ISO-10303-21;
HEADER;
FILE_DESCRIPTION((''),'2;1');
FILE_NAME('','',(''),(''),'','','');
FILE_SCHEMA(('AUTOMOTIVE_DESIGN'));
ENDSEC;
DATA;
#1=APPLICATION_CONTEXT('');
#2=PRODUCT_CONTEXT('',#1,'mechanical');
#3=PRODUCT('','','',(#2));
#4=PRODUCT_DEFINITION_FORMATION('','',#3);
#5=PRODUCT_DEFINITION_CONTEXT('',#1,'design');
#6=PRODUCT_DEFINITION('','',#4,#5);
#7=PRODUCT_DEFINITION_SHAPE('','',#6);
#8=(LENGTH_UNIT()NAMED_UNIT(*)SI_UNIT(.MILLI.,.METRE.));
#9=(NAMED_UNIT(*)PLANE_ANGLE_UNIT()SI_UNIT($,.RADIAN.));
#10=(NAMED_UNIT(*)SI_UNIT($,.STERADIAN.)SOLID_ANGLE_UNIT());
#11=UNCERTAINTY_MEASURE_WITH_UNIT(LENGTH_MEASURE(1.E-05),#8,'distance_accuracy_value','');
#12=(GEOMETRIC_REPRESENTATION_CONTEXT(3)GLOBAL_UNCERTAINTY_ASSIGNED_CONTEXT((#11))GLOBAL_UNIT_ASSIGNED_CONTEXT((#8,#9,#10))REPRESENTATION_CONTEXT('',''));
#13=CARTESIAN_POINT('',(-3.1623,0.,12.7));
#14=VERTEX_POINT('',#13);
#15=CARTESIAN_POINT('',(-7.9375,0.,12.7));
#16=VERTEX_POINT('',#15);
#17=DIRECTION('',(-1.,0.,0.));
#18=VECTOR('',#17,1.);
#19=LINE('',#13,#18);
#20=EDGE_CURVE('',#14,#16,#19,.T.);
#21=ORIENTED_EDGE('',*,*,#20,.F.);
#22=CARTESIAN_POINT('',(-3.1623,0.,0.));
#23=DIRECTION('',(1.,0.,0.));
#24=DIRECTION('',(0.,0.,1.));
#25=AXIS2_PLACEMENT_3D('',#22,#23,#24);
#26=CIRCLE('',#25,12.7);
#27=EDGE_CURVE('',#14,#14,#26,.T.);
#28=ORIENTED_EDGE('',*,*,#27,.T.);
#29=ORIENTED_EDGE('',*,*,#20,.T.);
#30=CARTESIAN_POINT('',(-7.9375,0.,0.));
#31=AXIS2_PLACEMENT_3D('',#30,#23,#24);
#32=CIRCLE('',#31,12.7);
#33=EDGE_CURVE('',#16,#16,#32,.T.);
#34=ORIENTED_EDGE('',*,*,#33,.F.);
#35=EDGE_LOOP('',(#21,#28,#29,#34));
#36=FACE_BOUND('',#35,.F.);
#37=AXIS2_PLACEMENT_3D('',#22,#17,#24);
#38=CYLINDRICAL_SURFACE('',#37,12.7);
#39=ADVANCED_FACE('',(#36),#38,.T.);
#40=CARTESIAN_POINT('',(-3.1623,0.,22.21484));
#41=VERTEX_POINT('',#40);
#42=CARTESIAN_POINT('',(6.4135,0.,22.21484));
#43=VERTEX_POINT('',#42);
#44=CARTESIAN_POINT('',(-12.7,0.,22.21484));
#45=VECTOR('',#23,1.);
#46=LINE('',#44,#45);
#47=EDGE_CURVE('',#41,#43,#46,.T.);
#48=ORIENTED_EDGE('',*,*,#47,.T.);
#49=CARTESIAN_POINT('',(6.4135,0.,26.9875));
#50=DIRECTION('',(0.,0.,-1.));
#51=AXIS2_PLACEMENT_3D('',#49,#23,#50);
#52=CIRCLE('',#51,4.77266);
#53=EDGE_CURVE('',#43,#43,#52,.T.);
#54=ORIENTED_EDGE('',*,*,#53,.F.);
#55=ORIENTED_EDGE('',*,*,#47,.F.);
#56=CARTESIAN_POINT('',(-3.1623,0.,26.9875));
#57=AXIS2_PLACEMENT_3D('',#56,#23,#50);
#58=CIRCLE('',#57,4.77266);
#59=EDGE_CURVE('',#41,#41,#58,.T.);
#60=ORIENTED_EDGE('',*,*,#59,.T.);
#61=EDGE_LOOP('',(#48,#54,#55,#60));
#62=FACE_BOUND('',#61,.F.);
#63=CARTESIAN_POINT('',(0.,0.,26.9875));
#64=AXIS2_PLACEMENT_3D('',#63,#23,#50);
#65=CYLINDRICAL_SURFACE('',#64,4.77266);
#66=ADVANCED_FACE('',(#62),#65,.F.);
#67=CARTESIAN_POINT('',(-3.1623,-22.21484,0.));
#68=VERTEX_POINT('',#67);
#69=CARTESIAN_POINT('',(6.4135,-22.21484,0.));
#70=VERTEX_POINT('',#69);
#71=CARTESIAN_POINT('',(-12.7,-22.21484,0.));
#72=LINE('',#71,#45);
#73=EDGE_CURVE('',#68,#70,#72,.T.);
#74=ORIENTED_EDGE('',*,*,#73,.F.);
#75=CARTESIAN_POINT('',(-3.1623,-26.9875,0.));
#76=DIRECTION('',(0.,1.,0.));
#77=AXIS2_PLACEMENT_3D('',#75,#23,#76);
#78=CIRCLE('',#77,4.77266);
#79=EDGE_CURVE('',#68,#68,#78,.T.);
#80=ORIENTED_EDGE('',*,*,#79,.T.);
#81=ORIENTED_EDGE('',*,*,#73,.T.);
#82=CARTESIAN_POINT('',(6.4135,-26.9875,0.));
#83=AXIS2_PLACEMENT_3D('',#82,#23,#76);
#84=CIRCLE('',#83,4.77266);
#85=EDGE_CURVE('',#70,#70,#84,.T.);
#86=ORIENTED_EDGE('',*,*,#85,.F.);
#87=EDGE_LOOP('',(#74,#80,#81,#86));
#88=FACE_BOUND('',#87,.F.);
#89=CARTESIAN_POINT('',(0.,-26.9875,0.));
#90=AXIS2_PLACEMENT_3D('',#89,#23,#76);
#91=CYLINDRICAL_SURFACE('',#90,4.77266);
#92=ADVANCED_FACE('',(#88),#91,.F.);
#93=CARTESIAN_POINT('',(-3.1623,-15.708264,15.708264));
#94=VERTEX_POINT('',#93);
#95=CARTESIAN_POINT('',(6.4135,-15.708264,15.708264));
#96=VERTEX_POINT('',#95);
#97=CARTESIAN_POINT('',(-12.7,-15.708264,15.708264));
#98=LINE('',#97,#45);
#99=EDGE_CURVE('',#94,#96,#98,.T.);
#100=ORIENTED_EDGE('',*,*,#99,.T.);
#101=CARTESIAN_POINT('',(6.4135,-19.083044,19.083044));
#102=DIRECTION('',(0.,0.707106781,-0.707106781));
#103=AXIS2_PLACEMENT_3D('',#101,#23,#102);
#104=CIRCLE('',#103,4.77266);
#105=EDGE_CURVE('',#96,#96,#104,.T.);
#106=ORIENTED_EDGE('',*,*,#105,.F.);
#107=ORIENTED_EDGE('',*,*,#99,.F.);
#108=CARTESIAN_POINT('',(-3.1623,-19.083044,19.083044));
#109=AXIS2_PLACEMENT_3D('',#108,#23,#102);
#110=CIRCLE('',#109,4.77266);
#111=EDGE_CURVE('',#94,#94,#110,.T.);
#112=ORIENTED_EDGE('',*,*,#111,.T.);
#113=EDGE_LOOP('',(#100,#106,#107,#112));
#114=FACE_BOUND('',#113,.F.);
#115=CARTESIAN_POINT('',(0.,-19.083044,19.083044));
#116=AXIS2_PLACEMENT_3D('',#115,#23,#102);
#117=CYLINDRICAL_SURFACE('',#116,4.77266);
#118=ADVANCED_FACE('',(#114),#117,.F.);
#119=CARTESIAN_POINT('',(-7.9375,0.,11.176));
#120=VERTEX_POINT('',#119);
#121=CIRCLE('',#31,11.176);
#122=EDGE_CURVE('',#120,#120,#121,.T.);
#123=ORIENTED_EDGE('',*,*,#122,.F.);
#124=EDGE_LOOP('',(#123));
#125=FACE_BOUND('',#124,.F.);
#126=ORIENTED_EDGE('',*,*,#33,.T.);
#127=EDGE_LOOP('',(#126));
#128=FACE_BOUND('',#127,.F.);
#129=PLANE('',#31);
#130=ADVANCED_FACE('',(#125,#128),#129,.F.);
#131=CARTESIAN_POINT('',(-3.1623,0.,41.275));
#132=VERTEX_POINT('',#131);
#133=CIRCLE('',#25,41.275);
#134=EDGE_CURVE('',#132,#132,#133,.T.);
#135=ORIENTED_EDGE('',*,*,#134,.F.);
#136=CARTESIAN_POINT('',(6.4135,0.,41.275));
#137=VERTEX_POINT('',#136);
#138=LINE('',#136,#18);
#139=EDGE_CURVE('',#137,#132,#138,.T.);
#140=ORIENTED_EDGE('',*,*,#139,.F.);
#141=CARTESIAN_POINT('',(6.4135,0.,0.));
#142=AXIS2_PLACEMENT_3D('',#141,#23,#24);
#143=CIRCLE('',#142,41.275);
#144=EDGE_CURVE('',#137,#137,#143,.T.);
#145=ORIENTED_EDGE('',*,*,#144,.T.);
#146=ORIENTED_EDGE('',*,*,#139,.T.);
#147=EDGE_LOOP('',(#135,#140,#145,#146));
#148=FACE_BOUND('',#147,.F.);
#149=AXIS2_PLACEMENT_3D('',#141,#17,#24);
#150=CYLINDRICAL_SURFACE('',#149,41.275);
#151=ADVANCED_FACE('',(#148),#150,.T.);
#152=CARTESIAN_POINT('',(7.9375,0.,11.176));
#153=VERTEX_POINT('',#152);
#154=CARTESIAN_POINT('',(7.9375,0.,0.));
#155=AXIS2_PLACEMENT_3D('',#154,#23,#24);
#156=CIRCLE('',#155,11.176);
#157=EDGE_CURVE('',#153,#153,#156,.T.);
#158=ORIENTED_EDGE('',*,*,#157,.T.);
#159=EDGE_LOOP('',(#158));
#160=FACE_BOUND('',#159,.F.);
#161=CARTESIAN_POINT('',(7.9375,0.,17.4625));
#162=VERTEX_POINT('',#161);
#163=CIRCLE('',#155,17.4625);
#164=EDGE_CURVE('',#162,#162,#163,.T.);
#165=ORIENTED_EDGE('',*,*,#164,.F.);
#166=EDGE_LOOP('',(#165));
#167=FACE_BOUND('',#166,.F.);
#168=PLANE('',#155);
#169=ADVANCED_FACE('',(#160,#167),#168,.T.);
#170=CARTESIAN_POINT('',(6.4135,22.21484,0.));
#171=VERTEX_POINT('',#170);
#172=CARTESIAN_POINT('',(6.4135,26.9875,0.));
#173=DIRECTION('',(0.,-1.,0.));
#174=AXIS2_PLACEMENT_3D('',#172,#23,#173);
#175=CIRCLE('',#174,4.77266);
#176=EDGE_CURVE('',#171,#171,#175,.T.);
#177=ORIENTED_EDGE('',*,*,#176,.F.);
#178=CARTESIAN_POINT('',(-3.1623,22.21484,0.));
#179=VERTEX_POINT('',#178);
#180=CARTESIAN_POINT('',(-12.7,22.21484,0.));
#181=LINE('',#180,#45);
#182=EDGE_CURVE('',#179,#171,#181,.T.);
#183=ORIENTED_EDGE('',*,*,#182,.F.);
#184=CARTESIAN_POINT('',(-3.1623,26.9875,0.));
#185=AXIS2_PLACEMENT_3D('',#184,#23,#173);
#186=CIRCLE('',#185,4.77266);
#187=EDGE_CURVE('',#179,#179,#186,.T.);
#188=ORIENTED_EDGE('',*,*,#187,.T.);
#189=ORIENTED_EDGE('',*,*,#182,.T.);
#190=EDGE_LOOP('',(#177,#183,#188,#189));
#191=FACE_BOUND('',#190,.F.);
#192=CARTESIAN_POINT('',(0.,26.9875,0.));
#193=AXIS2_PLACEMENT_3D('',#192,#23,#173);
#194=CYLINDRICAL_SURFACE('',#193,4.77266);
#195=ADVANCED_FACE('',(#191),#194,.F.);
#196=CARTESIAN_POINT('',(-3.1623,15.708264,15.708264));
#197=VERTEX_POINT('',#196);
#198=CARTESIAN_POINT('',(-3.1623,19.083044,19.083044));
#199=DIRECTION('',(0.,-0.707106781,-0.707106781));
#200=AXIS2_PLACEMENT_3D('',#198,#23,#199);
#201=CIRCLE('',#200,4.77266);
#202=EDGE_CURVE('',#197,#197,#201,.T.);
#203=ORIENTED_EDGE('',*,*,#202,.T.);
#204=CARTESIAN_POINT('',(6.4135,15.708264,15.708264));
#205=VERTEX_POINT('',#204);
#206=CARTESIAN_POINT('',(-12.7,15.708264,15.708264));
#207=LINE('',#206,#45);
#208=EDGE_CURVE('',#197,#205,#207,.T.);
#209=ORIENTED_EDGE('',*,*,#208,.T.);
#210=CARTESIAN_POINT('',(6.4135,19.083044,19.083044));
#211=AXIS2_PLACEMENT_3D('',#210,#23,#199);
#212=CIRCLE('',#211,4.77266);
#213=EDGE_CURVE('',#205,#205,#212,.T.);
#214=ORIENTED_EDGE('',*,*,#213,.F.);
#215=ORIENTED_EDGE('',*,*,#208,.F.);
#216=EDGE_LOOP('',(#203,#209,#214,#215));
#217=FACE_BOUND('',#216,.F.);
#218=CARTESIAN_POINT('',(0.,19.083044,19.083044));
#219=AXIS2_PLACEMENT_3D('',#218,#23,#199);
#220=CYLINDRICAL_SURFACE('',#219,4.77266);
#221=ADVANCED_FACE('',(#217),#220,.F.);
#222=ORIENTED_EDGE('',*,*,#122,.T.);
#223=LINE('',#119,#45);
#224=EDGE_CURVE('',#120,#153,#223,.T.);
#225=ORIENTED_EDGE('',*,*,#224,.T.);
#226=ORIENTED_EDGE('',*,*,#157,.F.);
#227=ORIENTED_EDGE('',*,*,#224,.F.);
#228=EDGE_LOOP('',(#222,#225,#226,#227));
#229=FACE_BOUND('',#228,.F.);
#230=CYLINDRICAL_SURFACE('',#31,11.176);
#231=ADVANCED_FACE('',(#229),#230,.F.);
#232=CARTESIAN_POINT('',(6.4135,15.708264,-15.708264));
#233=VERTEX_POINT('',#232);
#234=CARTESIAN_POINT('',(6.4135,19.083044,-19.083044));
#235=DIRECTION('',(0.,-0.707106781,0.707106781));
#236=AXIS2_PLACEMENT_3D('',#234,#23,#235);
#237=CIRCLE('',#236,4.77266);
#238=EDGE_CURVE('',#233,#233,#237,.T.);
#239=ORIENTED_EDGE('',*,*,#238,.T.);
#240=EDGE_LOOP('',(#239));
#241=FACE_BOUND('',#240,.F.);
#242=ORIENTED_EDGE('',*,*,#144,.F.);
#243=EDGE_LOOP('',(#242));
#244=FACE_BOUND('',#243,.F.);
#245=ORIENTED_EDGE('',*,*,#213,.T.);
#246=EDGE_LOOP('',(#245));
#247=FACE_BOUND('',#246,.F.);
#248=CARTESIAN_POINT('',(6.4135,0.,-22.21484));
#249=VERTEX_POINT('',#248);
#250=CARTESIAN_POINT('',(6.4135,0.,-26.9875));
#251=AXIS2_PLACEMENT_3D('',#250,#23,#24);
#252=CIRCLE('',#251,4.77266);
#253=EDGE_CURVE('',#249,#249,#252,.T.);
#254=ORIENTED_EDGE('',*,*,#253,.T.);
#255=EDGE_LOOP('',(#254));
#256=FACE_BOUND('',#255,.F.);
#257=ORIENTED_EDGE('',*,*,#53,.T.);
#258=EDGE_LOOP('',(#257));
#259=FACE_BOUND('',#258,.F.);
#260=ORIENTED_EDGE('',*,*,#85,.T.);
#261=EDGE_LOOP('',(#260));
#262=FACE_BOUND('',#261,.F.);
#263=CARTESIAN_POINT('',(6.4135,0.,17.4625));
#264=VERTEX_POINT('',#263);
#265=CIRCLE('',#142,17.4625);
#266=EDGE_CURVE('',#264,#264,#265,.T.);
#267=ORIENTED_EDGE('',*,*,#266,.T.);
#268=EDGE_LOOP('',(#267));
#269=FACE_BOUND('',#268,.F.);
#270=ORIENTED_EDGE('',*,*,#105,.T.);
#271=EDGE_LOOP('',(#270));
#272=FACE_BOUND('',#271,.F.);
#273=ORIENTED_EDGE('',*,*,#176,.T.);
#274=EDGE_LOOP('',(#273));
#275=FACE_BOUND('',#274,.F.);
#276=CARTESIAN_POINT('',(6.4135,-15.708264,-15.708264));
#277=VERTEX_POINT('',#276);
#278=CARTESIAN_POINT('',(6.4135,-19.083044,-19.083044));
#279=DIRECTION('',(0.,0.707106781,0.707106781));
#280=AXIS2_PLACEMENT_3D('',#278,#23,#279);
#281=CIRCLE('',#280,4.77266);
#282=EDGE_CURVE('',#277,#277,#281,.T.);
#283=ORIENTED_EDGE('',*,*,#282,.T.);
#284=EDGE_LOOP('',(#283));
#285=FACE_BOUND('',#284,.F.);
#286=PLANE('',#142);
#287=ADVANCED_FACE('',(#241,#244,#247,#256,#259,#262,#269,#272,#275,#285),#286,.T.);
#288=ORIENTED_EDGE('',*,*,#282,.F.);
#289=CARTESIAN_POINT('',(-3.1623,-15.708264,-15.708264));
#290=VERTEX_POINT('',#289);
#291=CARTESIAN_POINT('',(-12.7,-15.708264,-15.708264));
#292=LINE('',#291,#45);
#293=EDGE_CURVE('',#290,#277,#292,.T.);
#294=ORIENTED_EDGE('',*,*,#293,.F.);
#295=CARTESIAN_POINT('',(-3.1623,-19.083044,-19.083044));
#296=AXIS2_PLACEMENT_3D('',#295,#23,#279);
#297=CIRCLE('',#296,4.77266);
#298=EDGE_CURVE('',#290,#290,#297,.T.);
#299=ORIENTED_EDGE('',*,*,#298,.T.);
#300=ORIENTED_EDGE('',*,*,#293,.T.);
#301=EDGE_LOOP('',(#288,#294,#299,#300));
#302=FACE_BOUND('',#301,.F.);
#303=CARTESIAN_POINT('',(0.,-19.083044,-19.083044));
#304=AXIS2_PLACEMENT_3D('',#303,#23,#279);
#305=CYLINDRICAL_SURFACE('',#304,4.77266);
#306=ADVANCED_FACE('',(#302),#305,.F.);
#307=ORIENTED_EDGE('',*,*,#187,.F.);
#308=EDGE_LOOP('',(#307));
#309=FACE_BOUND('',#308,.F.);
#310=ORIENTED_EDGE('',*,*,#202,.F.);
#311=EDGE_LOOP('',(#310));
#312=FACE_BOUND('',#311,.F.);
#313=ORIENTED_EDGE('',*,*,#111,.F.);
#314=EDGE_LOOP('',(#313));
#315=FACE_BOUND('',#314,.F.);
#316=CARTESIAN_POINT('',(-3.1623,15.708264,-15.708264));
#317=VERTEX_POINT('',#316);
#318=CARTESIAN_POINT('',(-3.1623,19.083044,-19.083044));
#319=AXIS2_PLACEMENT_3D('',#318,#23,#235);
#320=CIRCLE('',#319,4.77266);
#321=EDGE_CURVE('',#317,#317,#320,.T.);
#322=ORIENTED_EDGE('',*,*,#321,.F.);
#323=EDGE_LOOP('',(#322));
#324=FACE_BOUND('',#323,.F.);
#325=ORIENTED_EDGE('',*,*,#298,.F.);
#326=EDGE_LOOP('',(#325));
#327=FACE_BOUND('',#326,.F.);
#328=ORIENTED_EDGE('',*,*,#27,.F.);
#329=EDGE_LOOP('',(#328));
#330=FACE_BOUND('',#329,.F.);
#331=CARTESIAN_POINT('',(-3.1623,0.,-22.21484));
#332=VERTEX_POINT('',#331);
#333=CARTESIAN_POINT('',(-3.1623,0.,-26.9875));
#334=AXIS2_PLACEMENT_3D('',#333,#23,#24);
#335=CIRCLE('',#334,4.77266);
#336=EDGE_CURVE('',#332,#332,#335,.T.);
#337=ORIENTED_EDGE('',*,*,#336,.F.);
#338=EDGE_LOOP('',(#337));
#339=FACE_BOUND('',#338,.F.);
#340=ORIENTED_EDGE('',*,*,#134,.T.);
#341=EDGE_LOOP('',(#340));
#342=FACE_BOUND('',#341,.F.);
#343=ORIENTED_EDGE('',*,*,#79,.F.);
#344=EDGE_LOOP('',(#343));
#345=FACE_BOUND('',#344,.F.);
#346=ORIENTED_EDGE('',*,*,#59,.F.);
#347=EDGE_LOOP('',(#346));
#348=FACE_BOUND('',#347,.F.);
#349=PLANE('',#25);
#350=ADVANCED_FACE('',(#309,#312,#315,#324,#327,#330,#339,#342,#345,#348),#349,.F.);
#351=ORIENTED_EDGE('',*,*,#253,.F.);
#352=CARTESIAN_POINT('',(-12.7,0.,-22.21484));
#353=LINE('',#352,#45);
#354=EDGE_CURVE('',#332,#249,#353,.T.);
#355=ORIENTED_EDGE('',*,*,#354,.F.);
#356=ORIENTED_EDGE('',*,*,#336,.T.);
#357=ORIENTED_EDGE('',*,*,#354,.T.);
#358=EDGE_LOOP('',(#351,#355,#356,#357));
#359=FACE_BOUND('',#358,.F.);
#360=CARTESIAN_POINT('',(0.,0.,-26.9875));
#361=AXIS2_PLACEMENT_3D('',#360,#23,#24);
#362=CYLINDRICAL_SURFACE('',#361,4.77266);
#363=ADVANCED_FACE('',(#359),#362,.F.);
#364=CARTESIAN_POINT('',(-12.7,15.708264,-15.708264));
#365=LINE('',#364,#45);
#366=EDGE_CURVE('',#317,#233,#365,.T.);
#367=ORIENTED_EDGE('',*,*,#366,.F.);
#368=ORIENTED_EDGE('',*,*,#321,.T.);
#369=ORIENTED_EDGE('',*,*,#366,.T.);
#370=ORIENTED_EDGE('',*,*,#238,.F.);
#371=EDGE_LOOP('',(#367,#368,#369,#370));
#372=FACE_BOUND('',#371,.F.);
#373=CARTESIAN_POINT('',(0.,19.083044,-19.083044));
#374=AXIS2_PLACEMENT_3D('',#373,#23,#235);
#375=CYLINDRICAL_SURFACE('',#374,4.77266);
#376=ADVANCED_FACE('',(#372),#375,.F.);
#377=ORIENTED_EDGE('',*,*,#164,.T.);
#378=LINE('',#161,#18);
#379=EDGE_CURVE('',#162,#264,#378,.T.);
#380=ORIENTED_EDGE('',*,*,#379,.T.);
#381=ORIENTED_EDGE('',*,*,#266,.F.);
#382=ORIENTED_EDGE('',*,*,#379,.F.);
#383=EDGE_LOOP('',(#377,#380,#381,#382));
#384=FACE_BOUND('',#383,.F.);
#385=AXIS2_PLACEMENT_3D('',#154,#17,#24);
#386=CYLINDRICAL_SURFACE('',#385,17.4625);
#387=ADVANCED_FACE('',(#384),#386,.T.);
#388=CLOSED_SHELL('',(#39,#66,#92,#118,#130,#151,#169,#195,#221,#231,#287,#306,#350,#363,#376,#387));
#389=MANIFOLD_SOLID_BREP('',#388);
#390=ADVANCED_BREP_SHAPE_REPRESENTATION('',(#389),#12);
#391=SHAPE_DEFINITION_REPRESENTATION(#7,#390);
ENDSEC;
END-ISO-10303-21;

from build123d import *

# Parameters (mm, degrees)
F2_R     = 4.77266
F3_DEPTH = 12.7
F4_COUNT = 8


with BuildPart() as f1:
    # F0 (on Front) → F1 (revolve)
    with BuildSketch(Plane.XZ):
        Polygon((-7.9375, 12.7), (-7.9375, 11.176), (7.9375, 11.176), (7.9375, 17.4625), (6.4135, 17.4625), (6.4135, 41.275), (-3.1623, 41.275), (-3.1623, 12.7), align=None)
    revolve(axis=Axis((0, 0, 0), (1, 0, 0)))

    # F2 (on Right) → F3 (cut, symmetric)
    with BuildSketch(Plane.YZ):
        with Locations((-26.9875, 0)):
            Circle(F2_R)
    f3 = extrude(amount=F3_DEPTH, both=True, mode=Mode.SUBTRACT)

    # F4: F3 ×8 about axis
    f4_axis = Axis((0, 0, 0), (1, 0, 0))
    for i in range(1, F4_COUNT):
        add(f3.rotate(f4_axis, i * 360 / F4_COUNT), mode=Mode.SUBTRACT)


solid = f1.part
